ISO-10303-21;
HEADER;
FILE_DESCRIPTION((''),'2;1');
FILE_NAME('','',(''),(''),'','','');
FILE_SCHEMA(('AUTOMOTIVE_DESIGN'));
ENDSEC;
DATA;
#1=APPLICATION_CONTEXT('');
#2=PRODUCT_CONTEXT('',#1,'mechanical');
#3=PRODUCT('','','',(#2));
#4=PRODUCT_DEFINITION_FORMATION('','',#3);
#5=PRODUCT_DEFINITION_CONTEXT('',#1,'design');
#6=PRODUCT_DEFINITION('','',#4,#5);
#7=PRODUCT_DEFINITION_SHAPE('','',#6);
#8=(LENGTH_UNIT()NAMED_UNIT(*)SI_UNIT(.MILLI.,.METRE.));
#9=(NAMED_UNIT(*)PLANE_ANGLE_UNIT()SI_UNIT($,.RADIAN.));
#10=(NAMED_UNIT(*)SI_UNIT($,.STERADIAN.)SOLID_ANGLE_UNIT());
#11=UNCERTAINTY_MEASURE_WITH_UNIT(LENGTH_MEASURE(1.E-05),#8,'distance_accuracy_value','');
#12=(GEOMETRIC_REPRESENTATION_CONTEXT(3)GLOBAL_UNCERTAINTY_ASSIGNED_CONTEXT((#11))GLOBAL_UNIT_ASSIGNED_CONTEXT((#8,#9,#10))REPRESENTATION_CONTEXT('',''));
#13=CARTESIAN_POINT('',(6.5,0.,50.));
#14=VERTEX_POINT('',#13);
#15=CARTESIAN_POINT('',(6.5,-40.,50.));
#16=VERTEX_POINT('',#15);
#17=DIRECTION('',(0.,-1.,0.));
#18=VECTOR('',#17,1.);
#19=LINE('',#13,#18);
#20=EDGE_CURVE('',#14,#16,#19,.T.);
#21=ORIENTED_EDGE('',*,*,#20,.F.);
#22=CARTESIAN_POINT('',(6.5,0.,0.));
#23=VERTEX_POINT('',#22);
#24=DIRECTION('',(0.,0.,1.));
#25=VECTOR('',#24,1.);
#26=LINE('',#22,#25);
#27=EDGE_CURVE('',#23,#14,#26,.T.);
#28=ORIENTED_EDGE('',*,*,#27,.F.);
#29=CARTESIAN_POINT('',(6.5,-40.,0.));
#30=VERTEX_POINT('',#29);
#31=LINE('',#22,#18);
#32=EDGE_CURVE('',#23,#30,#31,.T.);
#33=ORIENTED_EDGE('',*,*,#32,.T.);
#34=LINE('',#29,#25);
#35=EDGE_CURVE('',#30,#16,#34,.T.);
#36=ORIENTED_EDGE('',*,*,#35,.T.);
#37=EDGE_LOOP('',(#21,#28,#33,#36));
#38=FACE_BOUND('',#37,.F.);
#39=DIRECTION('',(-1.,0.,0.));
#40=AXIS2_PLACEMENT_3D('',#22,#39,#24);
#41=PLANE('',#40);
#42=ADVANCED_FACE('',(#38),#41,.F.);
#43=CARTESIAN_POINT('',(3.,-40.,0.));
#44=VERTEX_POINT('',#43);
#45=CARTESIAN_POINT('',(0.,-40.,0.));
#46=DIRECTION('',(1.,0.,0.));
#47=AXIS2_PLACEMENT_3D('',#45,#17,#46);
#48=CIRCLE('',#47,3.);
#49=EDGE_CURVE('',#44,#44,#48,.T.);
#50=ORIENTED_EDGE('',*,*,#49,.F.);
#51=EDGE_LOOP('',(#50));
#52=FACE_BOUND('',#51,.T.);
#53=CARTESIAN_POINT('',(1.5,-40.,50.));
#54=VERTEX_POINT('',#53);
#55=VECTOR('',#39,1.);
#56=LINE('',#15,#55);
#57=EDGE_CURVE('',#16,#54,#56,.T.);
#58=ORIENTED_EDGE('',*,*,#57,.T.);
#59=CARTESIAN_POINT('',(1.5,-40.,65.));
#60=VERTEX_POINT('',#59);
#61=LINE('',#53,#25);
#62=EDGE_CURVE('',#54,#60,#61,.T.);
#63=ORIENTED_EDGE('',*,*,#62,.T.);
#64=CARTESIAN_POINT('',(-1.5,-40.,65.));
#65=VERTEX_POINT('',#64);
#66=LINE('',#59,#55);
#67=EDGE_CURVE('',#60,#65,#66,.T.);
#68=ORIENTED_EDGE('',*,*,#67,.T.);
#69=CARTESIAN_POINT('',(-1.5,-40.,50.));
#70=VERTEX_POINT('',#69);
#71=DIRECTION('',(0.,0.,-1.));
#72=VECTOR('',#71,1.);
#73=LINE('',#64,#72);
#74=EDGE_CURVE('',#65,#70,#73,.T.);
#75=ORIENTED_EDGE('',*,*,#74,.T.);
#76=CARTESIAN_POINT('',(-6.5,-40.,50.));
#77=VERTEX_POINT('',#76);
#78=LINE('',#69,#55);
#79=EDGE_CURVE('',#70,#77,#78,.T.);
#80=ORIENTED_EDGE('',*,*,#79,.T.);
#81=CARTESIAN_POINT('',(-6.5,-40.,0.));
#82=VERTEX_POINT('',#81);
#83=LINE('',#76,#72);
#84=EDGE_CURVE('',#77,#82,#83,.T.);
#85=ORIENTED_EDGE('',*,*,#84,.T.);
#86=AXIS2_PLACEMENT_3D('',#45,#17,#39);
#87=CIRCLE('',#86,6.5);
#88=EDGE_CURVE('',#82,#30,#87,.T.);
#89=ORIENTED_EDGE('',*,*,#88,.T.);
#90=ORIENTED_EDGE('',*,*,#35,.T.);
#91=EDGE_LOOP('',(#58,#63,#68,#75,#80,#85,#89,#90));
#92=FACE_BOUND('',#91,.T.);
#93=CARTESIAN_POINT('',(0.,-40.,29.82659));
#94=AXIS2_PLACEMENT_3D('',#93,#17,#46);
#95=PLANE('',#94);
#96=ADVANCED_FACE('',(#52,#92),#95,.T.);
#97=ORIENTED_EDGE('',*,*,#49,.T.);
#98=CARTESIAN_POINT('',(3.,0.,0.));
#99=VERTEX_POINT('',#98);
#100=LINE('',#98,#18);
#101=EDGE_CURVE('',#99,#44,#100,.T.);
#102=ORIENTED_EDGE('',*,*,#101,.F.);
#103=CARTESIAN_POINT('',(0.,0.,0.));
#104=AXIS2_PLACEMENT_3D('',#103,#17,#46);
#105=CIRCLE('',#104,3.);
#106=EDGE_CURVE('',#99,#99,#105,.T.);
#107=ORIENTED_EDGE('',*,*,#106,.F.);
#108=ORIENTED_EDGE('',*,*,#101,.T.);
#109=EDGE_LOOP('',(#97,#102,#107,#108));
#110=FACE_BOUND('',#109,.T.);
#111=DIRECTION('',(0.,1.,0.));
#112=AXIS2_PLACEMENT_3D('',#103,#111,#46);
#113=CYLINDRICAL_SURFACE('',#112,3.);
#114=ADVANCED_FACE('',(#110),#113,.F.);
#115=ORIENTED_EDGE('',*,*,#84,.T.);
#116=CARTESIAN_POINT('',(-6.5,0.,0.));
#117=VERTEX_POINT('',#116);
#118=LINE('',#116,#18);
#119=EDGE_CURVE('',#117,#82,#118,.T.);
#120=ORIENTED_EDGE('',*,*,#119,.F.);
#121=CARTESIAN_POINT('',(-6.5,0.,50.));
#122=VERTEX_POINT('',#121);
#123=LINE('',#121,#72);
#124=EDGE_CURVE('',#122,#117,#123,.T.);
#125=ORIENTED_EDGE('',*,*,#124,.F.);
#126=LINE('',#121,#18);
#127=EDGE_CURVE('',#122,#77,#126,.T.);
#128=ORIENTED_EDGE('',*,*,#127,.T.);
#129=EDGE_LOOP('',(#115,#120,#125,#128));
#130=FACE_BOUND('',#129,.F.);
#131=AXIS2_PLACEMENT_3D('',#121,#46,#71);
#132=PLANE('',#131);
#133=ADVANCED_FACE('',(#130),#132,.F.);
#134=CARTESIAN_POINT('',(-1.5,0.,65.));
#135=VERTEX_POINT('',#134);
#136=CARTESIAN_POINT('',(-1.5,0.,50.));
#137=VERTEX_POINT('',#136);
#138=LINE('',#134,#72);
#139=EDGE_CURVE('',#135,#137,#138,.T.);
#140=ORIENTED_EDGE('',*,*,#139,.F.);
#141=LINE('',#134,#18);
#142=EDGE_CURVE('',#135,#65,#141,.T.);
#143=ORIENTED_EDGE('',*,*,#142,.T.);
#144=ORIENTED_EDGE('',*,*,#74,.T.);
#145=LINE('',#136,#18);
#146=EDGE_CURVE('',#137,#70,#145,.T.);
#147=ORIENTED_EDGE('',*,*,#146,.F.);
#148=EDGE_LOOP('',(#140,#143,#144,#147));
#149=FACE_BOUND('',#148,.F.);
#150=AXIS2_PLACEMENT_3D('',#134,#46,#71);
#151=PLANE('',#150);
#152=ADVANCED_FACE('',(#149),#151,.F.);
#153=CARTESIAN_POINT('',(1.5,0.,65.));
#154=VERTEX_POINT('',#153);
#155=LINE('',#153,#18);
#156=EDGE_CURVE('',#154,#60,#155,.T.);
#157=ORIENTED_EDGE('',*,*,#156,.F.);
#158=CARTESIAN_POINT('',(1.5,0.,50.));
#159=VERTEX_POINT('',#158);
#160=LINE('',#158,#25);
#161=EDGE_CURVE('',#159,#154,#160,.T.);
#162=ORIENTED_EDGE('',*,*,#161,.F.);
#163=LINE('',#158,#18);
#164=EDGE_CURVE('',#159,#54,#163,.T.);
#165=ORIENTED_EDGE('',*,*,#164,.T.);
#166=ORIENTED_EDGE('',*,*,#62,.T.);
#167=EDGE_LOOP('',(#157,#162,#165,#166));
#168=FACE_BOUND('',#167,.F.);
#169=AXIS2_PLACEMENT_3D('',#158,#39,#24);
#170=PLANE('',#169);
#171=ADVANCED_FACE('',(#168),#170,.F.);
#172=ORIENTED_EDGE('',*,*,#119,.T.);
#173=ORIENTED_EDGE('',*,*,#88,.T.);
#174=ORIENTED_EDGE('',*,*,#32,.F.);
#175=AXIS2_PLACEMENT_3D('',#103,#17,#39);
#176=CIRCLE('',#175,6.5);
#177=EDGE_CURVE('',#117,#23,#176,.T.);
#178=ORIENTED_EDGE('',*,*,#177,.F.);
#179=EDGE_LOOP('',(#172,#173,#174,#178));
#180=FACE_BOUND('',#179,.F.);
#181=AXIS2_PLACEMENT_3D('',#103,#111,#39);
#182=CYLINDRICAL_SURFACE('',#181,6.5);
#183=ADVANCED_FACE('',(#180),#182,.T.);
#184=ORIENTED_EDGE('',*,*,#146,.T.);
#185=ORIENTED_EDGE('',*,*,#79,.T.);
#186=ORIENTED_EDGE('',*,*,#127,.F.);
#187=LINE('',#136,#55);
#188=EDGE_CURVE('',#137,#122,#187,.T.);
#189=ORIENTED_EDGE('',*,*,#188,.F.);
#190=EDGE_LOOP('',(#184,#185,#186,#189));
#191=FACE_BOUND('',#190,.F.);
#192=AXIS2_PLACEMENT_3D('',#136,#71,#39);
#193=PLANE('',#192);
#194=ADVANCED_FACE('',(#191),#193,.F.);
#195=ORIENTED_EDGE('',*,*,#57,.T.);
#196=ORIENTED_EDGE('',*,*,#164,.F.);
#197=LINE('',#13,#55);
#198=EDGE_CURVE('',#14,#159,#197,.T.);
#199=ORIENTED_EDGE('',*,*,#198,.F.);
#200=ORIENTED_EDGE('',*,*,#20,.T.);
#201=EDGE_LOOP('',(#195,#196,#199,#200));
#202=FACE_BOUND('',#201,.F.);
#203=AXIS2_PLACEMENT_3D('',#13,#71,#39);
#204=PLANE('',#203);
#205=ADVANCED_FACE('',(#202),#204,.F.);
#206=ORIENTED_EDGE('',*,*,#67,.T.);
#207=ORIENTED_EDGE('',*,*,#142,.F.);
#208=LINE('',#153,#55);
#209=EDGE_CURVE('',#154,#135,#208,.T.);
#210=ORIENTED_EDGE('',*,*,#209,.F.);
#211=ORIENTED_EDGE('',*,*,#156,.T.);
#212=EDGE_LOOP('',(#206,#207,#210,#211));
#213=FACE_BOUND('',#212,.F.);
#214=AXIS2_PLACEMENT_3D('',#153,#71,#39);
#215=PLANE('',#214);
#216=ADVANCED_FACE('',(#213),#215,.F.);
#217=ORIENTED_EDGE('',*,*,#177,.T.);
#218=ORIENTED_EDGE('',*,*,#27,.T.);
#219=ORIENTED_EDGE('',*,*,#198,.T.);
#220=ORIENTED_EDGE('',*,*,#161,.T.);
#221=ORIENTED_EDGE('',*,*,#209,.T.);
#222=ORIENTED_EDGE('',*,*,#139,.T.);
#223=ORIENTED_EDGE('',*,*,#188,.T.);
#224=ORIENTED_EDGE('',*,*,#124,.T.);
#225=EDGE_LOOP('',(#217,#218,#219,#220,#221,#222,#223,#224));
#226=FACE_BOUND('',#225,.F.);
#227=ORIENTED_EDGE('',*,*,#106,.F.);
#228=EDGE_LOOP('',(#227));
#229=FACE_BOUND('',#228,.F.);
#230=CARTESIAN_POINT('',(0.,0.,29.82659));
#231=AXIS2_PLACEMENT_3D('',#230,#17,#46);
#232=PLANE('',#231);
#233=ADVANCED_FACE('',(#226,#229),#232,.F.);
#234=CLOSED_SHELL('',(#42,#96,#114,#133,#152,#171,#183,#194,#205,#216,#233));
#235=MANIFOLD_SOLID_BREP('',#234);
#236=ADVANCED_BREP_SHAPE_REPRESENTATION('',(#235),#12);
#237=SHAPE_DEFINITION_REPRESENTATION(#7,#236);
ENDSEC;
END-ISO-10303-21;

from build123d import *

# Parameters (mm, degrees)
F0_R     = 3
F1_DEPTH = 40


with BuildPart() as f1:
    # F0 (on Front) → F1 (new body)
    with BuildSketch(Plane.XZ):
        with BuildLine():
            Line((-6.5, 50), (-6.5, 0))
            ThreePointArc((-6.5, 0), (0, -6.5), (6.5, 0))
            Line((6.5, 0), (6.5, 50))
            Line((6.5, 50), (1.5, 50))
            Line((1.5, 50), (1.5, 65))
            Line((1.5, 65), (-1.5, 65))
            Line((-1.5, 65), (-1.5, 50))
            Line((-1.5, 50), (-6.5, 50))
        make_face()
        Circle(F0_R, mode=Mode.SUBTRACT)
    extrude(amount=F1_DEPTH)


solid = f1.part
